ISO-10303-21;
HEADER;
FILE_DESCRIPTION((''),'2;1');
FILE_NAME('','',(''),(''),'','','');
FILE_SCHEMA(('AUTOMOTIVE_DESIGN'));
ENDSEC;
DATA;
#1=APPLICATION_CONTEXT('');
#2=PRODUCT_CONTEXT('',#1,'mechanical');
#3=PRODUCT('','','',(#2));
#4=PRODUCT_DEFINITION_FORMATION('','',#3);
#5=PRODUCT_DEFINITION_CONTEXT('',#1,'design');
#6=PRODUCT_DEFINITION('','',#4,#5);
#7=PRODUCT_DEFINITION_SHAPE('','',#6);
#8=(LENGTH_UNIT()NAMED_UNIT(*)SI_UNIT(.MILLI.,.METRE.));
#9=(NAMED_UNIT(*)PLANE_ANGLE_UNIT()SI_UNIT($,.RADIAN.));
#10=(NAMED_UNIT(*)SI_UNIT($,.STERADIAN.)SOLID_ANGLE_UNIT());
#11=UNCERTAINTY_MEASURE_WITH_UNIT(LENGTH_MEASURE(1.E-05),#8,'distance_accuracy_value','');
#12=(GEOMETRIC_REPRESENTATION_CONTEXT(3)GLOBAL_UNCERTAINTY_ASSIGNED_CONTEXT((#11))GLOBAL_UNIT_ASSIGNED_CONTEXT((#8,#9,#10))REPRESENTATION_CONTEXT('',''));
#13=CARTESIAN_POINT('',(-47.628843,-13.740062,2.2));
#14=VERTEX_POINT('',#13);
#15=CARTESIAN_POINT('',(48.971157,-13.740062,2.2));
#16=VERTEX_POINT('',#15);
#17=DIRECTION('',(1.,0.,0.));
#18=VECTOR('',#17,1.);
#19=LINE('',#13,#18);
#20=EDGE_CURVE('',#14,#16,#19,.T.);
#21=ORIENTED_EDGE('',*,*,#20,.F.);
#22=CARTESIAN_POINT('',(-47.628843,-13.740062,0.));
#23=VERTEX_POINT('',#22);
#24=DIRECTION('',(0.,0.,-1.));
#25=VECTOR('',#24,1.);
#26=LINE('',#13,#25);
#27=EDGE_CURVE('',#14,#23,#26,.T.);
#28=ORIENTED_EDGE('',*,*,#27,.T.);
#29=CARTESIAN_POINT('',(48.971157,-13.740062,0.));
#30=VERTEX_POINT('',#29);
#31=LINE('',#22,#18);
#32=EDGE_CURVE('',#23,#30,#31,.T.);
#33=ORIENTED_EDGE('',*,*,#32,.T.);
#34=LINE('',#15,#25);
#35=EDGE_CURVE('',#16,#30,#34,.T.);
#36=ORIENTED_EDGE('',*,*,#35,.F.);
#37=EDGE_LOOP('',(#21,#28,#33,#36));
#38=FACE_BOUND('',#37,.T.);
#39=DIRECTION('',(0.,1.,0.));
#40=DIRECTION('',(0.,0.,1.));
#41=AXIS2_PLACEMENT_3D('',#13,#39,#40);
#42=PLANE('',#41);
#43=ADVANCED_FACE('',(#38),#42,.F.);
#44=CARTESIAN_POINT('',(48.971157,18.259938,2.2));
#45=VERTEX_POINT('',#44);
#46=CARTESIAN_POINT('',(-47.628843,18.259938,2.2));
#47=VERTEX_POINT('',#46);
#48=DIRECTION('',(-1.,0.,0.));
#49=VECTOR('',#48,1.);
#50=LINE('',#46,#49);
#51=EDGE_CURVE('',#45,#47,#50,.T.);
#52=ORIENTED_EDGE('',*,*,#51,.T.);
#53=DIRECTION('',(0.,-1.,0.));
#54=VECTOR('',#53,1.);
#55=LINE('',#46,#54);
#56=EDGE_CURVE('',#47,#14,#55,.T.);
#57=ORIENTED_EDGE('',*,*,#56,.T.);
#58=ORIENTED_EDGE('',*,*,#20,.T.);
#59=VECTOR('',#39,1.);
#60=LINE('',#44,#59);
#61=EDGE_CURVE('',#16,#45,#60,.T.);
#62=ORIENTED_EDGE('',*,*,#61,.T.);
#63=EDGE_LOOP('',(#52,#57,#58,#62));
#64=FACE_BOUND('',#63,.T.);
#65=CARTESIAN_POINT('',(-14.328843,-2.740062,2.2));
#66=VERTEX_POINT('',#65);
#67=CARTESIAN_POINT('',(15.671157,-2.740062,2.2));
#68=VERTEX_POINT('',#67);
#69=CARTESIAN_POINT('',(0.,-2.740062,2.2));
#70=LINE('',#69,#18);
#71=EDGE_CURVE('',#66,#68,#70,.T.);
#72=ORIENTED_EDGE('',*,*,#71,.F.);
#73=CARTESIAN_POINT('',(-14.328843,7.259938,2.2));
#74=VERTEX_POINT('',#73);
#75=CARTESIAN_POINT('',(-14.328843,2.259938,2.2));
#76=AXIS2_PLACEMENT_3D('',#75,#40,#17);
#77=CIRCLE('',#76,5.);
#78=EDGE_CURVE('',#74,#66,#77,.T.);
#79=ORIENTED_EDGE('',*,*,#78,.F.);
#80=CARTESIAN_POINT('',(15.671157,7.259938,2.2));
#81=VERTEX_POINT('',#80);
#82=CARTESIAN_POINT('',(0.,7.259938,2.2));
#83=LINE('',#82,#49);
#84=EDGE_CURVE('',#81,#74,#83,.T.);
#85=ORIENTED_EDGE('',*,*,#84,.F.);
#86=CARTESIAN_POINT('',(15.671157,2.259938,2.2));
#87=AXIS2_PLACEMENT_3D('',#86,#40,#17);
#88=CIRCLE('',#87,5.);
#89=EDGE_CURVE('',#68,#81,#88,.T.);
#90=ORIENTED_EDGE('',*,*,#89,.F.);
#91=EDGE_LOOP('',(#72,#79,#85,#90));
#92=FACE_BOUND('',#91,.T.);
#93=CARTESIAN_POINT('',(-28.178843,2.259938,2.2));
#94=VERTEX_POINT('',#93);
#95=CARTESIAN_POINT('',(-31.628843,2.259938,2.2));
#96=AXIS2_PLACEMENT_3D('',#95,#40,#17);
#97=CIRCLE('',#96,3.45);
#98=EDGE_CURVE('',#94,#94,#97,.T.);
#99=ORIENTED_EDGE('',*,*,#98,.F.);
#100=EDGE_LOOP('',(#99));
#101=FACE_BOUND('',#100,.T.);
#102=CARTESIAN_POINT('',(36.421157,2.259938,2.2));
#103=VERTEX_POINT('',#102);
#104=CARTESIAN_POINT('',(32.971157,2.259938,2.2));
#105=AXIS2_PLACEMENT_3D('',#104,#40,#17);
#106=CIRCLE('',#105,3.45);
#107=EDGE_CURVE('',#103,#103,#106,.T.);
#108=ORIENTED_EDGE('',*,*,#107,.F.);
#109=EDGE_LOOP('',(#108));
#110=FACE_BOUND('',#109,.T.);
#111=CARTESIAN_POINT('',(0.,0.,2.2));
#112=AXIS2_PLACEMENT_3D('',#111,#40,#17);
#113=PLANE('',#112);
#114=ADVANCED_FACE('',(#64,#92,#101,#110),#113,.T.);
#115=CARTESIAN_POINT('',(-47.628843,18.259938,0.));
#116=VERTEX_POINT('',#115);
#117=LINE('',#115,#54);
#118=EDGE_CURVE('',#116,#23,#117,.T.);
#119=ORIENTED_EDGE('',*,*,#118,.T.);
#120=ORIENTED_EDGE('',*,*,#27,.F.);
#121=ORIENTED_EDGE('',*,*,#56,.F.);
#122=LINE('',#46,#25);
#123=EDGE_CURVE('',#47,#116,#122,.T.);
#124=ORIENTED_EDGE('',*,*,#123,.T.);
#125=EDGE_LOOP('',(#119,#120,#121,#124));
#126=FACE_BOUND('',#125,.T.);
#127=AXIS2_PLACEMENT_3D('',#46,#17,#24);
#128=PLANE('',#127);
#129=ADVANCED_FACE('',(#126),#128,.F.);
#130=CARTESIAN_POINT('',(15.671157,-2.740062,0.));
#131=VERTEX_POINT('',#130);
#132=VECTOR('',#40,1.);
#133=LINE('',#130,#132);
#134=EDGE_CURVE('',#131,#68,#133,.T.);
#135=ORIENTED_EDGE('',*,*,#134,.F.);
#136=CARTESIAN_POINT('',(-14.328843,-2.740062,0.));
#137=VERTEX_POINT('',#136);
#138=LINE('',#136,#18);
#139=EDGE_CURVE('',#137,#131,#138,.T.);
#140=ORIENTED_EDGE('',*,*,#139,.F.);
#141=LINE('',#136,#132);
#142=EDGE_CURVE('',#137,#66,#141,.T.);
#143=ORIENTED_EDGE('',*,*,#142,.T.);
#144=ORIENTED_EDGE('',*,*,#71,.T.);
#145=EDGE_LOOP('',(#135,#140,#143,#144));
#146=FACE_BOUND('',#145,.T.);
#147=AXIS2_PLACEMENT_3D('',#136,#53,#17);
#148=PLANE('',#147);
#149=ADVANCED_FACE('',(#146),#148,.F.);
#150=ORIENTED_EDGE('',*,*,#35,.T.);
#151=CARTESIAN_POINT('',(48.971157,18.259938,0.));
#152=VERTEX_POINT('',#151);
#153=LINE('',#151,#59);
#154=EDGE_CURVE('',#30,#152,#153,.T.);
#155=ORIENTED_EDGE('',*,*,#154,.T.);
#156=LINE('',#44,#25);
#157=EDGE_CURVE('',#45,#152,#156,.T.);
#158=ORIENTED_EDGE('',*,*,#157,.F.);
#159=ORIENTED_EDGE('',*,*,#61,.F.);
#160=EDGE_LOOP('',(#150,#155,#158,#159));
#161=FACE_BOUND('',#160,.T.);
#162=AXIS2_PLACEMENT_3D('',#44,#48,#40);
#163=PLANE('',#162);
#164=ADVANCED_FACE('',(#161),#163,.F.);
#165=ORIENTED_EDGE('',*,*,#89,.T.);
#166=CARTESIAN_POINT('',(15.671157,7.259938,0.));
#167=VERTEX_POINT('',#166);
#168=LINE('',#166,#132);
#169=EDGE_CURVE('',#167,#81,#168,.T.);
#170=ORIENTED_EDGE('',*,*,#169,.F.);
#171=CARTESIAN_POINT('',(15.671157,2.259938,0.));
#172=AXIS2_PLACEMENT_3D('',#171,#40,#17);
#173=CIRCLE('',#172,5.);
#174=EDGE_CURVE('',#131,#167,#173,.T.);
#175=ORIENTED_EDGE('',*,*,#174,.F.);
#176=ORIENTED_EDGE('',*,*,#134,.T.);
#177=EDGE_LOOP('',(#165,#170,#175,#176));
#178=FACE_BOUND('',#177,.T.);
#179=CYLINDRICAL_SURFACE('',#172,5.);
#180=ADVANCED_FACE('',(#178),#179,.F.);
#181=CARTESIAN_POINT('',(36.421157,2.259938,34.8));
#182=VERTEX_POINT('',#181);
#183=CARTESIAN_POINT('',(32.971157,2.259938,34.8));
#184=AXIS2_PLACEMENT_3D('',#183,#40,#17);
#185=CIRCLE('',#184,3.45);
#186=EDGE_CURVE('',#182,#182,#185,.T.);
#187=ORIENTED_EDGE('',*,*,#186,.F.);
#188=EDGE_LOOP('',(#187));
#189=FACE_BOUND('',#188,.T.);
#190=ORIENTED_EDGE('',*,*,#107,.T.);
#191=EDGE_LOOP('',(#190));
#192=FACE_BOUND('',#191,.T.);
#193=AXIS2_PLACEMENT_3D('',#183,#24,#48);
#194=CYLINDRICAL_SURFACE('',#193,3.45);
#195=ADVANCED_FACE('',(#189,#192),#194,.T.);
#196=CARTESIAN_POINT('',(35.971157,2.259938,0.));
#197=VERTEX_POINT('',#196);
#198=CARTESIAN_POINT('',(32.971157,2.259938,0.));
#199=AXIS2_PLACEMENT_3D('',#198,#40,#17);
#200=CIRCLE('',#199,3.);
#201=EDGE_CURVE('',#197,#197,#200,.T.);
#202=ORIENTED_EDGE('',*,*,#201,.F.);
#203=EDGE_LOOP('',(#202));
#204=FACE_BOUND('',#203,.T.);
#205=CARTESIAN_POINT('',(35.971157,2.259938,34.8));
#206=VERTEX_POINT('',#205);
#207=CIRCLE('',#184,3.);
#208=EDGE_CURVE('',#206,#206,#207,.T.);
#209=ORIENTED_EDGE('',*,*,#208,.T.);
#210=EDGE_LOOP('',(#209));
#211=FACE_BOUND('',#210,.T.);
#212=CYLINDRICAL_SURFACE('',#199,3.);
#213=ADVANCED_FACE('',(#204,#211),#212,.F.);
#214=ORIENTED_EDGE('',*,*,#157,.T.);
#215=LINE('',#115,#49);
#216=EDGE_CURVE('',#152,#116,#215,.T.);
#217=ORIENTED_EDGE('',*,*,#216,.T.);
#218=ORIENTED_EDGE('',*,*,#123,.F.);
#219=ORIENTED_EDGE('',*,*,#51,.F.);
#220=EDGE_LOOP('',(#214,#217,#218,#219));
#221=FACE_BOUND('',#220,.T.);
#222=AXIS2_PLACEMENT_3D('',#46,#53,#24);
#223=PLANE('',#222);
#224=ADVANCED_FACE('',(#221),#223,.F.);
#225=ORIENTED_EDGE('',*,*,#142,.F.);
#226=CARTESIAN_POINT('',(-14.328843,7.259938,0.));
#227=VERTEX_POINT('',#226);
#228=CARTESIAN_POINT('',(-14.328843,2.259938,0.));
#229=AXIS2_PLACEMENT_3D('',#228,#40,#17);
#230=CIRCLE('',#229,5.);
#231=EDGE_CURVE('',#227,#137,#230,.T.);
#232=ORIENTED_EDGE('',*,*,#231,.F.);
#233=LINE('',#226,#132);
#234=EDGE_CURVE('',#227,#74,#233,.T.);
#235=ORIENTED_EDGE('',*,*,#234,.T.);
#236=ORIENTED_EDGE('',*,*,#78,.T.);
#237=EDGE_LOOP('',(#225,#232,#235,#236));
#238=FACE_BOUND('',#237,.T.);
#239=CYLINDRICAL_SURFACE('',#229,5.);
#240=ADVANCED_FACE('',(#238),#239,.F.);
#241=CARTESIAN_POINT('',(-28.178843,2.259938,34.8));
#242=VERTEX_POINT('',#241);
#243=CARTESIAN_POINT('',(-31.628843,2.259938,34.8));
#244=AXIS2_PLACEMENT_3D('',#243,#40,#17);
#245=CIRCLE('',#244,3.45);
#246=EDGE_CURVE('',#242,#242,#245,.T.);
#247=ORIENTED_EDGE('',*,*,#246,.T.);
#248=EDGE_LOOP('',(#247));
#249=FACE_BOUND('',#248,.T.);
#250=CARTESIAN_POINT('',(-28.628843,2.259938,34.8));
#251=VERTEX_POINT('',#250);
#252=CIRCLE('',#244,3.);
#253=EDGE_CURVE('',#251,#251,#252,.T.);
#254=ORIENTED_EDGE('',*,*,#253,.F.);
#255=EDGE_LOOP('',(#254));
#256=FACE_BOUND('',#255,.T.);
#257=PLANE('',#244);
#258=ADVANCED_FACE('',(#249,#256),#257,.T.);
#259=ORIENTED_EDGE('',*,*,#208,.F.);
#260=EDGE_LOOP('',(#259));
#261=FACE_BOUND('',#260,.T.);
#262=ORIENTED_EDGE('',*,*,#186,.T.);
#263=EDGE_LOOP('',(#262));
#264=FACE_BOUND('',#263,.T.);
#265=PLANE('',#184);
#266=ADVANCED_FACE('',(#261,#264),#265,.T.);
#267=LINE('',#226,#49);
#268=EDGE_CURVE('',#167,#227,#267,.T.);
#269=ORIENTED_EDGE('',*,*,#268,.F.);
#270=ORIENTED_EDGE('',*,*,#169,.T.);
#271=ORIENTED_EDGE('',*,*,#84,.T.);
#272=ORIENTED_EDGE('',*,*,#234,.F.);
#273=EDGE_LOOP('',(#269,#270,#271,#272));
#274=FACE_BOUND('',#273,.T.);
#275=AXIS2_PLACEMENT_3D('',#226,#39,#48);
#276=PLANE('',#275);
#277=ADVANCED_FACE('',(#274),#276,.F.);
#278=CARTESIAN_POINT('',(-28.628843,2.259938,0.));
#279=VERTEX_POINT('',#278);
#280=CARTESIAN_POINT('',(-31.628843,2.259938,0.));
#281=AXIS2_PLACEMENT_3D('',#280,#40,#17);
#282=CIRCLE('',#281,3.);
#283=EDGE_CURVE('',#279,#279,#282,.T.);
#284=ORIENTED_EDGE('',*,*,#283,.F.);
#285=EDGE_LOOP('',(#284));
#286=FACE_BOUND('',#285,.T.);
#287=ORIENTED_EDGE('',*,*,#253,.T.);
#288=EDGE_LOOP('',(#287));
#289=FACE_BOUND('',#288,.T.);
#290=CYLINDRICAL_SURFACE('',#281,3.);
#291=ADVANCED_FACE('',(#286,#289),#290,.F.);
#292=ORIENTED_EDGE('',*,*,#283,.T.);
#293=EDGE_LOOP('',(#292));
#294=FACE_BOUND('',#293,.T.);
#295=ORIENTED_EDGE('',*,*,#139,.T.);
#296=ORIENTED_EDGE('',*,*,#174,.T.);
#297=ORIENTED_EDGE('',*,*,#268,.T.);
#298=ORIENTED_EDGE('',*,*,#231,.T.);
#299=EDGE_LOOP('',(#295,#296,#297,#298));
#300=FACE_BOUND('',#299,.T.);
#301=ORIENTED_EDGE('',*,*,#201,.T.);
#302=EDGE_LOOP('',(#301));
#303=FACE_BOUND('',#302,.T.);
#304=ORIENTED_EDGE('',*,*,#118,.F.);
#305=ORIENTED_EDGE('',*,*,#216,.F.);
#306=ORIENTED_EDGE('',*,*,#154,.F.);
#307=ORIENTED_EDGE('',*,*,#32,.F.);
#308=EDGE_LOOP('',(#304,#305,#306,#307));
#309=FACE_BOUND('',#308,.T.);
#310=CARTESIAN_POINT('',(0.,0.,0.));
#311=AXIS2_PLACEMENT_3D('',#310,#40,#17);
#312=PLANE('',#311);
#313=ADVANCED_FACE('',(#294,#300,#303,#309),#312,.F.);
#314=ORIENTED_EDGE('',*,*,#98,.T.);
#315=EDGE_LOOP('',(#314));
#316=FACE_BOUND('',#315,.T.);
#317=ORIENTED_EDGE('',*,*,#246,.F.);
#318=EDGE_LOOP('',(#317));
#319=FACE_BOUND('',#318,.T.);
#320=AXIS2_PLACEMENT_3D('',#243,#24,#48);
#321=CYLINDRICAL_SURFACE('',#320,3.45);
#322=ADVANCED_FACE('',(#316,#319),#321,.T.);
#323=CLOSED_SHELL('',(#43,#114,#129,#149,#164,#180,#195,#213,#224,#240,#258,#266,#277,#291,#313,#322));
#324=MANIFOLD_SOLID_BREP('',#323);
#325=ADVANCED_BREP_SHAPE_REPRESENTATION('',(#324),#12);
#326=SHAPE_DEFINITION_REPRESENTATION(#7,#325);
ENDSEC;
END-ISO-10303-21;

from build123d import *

# Parameters (mm, degrees)
ESQUISSE1_W             = 96.6
ESQUISSE1_H             = 32
BOSS_EXTRU_1_DEPTH      = 2.2
ESQUISSE6_R             = 3.45
BOSS_EXTRU_2_DEPTH      = 32.6
ESQUISSE7_R             = 3
ENL_V_MAT_EXTRU_1_DEPTH = 35.8


with BuildPart() as part:
    # Esquisse1 → Boss.-Extru.1 (new body)
    with BuildSketch(Plane.XY):
        with Locations((0.671156739, 2.259938231)):
            Rectangle(ESQUISSE1_W, ESQUISSE1_H)
    extrude(amount=BOSS_EXTRU_1_DEPTH)

    # Esquisse6 → Boss.-Extru.2 (add)
    with BuildSketch(Plane.XY.offset(2.2)):
        with Locations((-31.628843261, 2.259938231)):
            Circle(ESQUISSE6_R)
        with Locations((32.971156739, 2.259938231)):
            Circle(ESQUISSE6_R)
    extrude(amount=BOSS_EXTRU_2_DEPTH)

    # Esquisse7 → Enlèv. mat.-Extru.1 (cut, through all)
    with BuildSketch(Plane.XY.offset(34.8)):
        with Locations((-31.628843261, 2.259938231)):
            Circle(ESQUISSE7_R)
        with Locations((32.971156739, 2.259938231)):
            Circle(ESQUISSE7_R)
        with BuildLine():
            Line((-14.328843261, 7.259938231), (15.671156739, 7.259938231))
            ThreePointArc((15.671156739, 7.259938231), (20.671156739, 2.259938231), (15.671156739, -2.740061769))
            Line((15.671156739, -2.740061769), (-14.328843261, -2.740061769))
            ThreePointArc((-14.328843261, -2.740061769), (-19.328843261, 2.259938231), (-14.328843261, 7.259938231))
        make_face()
    extrude(amount=-ENL_V_MAT_EXTRU_1_DEPTH, mode=Mode.SUBTRACT)


solid = part.part
